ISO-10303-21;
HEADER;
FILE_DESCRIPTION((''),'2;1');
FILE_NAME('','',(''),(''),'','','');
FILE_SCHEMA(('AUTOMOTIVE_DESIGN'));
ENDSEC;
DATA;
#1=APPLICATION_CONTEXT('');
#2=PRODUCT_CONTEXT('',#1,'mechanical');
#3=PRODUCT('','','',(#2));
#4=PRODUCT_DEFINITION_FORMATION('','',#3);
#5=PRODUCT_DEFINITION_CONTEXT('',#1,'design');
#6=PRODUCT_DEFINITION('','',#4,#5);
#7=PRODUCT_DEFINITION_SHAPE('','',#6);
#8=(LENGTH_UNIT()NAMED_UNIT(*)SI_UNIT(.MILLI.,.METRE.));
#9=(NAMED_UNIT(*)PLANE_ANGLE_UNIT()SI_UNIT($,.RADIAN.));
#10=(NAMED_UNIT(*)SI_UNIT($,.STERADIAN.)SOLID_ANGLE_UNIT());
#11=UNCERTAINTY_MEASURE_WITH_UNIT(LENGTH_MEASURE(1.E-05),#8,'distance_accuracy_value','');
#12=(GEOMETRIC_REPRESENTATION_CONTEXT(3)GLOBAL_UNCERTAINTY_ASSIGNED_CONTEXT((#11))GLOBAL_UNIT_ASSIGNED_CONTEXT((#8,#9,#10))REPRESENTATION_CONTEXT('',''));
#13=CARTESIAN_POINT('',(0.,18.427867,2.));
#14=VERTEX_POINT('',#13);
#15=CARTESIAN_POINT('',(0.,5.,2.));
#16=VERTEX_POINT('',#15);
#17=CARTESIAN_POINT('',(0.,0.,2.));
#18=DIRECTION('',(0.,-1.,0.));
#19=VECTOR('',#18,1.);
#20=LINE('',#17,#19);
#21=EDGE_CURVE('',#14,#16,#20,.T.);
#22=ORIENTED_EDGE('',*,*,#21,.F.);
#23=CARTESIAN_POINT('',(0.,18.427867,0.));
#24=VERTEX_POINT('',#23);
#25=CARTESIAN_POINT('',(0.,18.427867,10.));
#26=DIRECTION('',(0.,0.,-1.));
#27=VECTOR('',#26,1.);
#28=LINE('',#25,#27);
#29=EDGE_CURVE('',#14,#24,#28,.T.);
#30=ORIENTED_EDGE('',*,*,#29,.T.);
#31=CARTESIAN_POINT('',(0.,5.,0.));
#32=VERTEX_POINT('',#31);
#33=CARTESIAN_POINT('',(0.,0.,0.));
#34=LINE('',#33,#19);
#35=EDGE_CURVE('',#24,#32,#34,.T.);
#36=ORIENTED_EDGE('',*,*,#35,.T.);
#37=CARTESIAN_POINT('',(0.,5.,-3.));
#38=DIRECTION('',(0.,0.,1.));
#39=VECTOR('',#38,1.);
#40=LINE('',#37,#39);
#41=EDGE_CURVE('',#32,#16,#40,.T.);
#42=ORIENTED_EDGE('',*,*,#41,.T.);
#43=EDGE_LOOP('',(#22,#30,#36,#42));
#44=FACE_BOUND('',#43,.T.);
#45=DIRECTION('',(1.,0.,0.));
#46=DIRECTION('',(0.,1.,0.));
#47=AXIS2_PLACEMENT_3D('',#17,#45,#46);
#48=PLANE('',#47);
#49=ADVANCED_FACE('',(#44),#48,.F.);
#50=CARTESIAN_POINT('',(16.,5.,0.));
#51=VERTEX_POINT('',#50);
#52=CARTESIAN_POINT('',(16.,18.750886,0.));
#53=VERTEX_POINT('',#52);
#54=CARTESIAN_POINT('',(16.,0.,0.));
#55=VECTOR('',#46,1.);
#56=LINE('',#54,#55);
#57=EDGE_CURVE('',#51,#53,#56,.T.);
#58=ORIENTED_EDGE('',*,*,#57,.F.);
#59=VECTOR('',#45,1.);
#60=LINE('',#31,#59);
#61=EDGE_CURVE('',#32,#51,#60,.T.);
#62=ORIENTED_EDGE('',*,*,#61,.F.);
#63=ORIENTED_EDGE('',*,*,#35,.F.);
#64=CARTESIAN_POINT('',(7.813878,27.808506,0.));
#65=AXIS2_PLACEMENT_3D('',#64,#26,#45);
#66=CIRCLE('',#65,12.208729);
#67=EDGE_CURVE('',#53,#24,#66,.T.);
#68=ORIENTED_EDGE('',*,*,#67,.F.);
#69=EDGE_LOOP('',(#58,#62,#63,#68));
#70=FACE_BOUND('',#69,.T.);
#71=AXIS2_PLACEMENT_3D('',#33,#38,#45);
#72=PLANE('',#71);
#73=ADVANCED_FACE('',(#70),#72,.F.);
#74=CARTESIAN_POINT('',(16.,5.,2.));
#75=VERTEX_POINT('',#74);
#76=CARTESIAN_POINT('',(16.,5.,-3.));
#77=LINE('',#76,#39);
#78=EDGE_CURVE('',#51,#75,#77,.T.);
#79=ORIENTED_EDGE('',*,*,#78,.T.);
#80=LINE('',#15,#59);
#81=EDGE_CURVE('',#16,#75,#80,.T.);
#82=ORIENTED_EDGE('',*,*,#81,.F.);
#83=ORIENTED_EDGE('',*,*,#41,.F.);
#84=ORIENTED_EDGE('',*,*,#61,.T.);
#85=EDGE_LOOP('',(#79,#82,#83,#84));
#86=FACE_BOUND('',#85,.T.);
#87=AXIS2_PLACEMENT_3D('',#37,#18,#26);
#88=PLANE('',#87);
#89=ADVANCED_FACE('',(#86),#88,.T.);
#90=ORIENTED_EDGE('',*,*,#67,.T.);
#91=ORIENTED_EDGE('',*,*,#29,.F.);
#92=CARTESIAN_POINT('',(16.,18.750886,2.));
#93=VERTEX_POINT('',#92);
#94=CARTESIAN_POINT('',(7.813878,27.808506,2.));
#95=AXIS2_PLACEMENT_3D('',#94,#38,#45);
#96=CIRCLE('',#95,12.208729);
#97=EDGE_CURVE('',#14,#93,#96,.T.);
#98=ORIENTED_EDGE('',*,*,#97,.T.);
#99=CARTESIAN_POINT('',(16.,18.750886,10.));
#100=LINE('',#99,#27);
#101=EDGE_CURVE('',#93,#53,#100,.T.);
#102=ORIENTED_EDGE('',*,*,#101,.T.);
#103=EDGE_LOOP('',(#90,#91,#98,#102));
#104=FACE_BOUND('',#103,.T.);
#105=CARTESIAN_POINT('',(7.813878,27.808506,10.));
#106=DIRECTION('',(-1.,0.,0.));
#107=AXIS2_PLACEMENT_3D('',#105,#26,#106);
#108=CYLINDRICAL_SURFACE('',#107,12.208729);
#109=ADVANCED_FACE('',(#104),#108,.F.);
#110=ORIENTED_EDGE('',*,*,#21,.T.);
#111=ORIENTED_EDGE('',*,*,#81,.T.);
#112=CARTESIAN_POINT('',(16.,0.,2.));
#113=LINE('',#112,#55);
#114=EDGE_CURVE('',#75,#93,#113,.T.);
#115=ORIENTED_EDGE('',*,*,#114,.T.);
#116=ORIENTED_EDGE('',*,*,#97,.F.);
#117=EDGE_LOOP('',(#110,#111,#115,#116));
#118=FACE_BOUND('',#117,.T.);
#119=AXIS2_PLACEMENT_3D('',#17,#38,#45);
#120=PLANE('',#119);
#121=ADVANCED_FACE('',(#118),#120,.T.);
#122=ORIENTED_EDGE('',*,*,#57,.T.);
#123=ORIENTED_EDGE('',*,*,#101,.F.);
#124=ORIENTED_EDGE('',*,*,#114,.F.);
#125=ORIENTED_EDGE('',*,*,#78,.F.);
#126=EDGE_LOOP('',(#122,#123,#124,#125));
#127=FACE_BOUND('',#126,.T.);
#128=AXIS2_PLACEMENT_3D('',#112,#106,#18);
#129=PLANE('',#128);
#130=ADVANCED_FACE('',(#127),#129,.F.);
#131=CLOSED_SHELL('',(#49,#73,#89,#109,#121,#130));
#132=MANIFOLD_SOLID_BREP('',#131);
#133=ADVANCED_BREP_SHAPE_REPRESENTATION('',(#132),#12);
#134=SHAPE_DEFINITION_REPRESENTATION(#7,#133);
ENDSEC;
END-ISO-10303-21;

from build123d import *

# Parameters (mm, degrees)
SZKIC1_W                    = 16
SZKIC1_H                    = 31.855734842
DODANIE_WYCI_GNI_CIE1_DEPTH = 2
SZKIC2_W                    = 16
SZKIC2_H                    = 5
WYTNIJ_WYCI_GNI_CIE1_DEPTH  = 5
WYTNIJ_WYCI_GNI_CIE2_DEPTH  = 10


with BuildPart() as part:
    # Szkic1 → Dodanie-wyciągnięcie1 (new body)
    with BuildSketch(Plane.XY):
        with Locations((8, 15.927867421)):
            Rectangle(SZKIC1_W, SZKIC1_H)
    extrude(amount=DODANIE_WYCI_GNI_CIE1_DEPTH)

    # Szkic2 → Wytnij-wyciągnięcie1 (cut)
    with BuildSketch(Plane.XY.offset(2)):
        with Locations((8, 2.5)):
            Rectangle(SZKIC2_W, SZKIC2_H)
    extrude(amount=-WYTNIJ_WYCI_GNI_CIE1_DEPTH, mode=Mode.SUBTRACT)

    # Szkic6 → Wytnij-wyciągnięcie2 (cut)
    with BuildSketch(Plane(origin=(0, 0, 0), x_dir=(-1, 0, 0), z_dir=(0, 0, -1))):
        with BuildLine():
            Line((0, 31.855734842), (-16, 31.855734842))
            Line((-16, 31.855734842), (-16, 18.750886073))
            ThreePointArc((-16, 18.750886073), (-8.06030582, 15.602264045), (0, 18.427867421))
            Line((0, 18.427867421), (0, 31.855734842))
        make_face()
    extrude(amount=-WYTNIJ_WYCI_GNI_CIE2_DEPTH, mode=Mode.SUBTRACT)


solid = part.part
